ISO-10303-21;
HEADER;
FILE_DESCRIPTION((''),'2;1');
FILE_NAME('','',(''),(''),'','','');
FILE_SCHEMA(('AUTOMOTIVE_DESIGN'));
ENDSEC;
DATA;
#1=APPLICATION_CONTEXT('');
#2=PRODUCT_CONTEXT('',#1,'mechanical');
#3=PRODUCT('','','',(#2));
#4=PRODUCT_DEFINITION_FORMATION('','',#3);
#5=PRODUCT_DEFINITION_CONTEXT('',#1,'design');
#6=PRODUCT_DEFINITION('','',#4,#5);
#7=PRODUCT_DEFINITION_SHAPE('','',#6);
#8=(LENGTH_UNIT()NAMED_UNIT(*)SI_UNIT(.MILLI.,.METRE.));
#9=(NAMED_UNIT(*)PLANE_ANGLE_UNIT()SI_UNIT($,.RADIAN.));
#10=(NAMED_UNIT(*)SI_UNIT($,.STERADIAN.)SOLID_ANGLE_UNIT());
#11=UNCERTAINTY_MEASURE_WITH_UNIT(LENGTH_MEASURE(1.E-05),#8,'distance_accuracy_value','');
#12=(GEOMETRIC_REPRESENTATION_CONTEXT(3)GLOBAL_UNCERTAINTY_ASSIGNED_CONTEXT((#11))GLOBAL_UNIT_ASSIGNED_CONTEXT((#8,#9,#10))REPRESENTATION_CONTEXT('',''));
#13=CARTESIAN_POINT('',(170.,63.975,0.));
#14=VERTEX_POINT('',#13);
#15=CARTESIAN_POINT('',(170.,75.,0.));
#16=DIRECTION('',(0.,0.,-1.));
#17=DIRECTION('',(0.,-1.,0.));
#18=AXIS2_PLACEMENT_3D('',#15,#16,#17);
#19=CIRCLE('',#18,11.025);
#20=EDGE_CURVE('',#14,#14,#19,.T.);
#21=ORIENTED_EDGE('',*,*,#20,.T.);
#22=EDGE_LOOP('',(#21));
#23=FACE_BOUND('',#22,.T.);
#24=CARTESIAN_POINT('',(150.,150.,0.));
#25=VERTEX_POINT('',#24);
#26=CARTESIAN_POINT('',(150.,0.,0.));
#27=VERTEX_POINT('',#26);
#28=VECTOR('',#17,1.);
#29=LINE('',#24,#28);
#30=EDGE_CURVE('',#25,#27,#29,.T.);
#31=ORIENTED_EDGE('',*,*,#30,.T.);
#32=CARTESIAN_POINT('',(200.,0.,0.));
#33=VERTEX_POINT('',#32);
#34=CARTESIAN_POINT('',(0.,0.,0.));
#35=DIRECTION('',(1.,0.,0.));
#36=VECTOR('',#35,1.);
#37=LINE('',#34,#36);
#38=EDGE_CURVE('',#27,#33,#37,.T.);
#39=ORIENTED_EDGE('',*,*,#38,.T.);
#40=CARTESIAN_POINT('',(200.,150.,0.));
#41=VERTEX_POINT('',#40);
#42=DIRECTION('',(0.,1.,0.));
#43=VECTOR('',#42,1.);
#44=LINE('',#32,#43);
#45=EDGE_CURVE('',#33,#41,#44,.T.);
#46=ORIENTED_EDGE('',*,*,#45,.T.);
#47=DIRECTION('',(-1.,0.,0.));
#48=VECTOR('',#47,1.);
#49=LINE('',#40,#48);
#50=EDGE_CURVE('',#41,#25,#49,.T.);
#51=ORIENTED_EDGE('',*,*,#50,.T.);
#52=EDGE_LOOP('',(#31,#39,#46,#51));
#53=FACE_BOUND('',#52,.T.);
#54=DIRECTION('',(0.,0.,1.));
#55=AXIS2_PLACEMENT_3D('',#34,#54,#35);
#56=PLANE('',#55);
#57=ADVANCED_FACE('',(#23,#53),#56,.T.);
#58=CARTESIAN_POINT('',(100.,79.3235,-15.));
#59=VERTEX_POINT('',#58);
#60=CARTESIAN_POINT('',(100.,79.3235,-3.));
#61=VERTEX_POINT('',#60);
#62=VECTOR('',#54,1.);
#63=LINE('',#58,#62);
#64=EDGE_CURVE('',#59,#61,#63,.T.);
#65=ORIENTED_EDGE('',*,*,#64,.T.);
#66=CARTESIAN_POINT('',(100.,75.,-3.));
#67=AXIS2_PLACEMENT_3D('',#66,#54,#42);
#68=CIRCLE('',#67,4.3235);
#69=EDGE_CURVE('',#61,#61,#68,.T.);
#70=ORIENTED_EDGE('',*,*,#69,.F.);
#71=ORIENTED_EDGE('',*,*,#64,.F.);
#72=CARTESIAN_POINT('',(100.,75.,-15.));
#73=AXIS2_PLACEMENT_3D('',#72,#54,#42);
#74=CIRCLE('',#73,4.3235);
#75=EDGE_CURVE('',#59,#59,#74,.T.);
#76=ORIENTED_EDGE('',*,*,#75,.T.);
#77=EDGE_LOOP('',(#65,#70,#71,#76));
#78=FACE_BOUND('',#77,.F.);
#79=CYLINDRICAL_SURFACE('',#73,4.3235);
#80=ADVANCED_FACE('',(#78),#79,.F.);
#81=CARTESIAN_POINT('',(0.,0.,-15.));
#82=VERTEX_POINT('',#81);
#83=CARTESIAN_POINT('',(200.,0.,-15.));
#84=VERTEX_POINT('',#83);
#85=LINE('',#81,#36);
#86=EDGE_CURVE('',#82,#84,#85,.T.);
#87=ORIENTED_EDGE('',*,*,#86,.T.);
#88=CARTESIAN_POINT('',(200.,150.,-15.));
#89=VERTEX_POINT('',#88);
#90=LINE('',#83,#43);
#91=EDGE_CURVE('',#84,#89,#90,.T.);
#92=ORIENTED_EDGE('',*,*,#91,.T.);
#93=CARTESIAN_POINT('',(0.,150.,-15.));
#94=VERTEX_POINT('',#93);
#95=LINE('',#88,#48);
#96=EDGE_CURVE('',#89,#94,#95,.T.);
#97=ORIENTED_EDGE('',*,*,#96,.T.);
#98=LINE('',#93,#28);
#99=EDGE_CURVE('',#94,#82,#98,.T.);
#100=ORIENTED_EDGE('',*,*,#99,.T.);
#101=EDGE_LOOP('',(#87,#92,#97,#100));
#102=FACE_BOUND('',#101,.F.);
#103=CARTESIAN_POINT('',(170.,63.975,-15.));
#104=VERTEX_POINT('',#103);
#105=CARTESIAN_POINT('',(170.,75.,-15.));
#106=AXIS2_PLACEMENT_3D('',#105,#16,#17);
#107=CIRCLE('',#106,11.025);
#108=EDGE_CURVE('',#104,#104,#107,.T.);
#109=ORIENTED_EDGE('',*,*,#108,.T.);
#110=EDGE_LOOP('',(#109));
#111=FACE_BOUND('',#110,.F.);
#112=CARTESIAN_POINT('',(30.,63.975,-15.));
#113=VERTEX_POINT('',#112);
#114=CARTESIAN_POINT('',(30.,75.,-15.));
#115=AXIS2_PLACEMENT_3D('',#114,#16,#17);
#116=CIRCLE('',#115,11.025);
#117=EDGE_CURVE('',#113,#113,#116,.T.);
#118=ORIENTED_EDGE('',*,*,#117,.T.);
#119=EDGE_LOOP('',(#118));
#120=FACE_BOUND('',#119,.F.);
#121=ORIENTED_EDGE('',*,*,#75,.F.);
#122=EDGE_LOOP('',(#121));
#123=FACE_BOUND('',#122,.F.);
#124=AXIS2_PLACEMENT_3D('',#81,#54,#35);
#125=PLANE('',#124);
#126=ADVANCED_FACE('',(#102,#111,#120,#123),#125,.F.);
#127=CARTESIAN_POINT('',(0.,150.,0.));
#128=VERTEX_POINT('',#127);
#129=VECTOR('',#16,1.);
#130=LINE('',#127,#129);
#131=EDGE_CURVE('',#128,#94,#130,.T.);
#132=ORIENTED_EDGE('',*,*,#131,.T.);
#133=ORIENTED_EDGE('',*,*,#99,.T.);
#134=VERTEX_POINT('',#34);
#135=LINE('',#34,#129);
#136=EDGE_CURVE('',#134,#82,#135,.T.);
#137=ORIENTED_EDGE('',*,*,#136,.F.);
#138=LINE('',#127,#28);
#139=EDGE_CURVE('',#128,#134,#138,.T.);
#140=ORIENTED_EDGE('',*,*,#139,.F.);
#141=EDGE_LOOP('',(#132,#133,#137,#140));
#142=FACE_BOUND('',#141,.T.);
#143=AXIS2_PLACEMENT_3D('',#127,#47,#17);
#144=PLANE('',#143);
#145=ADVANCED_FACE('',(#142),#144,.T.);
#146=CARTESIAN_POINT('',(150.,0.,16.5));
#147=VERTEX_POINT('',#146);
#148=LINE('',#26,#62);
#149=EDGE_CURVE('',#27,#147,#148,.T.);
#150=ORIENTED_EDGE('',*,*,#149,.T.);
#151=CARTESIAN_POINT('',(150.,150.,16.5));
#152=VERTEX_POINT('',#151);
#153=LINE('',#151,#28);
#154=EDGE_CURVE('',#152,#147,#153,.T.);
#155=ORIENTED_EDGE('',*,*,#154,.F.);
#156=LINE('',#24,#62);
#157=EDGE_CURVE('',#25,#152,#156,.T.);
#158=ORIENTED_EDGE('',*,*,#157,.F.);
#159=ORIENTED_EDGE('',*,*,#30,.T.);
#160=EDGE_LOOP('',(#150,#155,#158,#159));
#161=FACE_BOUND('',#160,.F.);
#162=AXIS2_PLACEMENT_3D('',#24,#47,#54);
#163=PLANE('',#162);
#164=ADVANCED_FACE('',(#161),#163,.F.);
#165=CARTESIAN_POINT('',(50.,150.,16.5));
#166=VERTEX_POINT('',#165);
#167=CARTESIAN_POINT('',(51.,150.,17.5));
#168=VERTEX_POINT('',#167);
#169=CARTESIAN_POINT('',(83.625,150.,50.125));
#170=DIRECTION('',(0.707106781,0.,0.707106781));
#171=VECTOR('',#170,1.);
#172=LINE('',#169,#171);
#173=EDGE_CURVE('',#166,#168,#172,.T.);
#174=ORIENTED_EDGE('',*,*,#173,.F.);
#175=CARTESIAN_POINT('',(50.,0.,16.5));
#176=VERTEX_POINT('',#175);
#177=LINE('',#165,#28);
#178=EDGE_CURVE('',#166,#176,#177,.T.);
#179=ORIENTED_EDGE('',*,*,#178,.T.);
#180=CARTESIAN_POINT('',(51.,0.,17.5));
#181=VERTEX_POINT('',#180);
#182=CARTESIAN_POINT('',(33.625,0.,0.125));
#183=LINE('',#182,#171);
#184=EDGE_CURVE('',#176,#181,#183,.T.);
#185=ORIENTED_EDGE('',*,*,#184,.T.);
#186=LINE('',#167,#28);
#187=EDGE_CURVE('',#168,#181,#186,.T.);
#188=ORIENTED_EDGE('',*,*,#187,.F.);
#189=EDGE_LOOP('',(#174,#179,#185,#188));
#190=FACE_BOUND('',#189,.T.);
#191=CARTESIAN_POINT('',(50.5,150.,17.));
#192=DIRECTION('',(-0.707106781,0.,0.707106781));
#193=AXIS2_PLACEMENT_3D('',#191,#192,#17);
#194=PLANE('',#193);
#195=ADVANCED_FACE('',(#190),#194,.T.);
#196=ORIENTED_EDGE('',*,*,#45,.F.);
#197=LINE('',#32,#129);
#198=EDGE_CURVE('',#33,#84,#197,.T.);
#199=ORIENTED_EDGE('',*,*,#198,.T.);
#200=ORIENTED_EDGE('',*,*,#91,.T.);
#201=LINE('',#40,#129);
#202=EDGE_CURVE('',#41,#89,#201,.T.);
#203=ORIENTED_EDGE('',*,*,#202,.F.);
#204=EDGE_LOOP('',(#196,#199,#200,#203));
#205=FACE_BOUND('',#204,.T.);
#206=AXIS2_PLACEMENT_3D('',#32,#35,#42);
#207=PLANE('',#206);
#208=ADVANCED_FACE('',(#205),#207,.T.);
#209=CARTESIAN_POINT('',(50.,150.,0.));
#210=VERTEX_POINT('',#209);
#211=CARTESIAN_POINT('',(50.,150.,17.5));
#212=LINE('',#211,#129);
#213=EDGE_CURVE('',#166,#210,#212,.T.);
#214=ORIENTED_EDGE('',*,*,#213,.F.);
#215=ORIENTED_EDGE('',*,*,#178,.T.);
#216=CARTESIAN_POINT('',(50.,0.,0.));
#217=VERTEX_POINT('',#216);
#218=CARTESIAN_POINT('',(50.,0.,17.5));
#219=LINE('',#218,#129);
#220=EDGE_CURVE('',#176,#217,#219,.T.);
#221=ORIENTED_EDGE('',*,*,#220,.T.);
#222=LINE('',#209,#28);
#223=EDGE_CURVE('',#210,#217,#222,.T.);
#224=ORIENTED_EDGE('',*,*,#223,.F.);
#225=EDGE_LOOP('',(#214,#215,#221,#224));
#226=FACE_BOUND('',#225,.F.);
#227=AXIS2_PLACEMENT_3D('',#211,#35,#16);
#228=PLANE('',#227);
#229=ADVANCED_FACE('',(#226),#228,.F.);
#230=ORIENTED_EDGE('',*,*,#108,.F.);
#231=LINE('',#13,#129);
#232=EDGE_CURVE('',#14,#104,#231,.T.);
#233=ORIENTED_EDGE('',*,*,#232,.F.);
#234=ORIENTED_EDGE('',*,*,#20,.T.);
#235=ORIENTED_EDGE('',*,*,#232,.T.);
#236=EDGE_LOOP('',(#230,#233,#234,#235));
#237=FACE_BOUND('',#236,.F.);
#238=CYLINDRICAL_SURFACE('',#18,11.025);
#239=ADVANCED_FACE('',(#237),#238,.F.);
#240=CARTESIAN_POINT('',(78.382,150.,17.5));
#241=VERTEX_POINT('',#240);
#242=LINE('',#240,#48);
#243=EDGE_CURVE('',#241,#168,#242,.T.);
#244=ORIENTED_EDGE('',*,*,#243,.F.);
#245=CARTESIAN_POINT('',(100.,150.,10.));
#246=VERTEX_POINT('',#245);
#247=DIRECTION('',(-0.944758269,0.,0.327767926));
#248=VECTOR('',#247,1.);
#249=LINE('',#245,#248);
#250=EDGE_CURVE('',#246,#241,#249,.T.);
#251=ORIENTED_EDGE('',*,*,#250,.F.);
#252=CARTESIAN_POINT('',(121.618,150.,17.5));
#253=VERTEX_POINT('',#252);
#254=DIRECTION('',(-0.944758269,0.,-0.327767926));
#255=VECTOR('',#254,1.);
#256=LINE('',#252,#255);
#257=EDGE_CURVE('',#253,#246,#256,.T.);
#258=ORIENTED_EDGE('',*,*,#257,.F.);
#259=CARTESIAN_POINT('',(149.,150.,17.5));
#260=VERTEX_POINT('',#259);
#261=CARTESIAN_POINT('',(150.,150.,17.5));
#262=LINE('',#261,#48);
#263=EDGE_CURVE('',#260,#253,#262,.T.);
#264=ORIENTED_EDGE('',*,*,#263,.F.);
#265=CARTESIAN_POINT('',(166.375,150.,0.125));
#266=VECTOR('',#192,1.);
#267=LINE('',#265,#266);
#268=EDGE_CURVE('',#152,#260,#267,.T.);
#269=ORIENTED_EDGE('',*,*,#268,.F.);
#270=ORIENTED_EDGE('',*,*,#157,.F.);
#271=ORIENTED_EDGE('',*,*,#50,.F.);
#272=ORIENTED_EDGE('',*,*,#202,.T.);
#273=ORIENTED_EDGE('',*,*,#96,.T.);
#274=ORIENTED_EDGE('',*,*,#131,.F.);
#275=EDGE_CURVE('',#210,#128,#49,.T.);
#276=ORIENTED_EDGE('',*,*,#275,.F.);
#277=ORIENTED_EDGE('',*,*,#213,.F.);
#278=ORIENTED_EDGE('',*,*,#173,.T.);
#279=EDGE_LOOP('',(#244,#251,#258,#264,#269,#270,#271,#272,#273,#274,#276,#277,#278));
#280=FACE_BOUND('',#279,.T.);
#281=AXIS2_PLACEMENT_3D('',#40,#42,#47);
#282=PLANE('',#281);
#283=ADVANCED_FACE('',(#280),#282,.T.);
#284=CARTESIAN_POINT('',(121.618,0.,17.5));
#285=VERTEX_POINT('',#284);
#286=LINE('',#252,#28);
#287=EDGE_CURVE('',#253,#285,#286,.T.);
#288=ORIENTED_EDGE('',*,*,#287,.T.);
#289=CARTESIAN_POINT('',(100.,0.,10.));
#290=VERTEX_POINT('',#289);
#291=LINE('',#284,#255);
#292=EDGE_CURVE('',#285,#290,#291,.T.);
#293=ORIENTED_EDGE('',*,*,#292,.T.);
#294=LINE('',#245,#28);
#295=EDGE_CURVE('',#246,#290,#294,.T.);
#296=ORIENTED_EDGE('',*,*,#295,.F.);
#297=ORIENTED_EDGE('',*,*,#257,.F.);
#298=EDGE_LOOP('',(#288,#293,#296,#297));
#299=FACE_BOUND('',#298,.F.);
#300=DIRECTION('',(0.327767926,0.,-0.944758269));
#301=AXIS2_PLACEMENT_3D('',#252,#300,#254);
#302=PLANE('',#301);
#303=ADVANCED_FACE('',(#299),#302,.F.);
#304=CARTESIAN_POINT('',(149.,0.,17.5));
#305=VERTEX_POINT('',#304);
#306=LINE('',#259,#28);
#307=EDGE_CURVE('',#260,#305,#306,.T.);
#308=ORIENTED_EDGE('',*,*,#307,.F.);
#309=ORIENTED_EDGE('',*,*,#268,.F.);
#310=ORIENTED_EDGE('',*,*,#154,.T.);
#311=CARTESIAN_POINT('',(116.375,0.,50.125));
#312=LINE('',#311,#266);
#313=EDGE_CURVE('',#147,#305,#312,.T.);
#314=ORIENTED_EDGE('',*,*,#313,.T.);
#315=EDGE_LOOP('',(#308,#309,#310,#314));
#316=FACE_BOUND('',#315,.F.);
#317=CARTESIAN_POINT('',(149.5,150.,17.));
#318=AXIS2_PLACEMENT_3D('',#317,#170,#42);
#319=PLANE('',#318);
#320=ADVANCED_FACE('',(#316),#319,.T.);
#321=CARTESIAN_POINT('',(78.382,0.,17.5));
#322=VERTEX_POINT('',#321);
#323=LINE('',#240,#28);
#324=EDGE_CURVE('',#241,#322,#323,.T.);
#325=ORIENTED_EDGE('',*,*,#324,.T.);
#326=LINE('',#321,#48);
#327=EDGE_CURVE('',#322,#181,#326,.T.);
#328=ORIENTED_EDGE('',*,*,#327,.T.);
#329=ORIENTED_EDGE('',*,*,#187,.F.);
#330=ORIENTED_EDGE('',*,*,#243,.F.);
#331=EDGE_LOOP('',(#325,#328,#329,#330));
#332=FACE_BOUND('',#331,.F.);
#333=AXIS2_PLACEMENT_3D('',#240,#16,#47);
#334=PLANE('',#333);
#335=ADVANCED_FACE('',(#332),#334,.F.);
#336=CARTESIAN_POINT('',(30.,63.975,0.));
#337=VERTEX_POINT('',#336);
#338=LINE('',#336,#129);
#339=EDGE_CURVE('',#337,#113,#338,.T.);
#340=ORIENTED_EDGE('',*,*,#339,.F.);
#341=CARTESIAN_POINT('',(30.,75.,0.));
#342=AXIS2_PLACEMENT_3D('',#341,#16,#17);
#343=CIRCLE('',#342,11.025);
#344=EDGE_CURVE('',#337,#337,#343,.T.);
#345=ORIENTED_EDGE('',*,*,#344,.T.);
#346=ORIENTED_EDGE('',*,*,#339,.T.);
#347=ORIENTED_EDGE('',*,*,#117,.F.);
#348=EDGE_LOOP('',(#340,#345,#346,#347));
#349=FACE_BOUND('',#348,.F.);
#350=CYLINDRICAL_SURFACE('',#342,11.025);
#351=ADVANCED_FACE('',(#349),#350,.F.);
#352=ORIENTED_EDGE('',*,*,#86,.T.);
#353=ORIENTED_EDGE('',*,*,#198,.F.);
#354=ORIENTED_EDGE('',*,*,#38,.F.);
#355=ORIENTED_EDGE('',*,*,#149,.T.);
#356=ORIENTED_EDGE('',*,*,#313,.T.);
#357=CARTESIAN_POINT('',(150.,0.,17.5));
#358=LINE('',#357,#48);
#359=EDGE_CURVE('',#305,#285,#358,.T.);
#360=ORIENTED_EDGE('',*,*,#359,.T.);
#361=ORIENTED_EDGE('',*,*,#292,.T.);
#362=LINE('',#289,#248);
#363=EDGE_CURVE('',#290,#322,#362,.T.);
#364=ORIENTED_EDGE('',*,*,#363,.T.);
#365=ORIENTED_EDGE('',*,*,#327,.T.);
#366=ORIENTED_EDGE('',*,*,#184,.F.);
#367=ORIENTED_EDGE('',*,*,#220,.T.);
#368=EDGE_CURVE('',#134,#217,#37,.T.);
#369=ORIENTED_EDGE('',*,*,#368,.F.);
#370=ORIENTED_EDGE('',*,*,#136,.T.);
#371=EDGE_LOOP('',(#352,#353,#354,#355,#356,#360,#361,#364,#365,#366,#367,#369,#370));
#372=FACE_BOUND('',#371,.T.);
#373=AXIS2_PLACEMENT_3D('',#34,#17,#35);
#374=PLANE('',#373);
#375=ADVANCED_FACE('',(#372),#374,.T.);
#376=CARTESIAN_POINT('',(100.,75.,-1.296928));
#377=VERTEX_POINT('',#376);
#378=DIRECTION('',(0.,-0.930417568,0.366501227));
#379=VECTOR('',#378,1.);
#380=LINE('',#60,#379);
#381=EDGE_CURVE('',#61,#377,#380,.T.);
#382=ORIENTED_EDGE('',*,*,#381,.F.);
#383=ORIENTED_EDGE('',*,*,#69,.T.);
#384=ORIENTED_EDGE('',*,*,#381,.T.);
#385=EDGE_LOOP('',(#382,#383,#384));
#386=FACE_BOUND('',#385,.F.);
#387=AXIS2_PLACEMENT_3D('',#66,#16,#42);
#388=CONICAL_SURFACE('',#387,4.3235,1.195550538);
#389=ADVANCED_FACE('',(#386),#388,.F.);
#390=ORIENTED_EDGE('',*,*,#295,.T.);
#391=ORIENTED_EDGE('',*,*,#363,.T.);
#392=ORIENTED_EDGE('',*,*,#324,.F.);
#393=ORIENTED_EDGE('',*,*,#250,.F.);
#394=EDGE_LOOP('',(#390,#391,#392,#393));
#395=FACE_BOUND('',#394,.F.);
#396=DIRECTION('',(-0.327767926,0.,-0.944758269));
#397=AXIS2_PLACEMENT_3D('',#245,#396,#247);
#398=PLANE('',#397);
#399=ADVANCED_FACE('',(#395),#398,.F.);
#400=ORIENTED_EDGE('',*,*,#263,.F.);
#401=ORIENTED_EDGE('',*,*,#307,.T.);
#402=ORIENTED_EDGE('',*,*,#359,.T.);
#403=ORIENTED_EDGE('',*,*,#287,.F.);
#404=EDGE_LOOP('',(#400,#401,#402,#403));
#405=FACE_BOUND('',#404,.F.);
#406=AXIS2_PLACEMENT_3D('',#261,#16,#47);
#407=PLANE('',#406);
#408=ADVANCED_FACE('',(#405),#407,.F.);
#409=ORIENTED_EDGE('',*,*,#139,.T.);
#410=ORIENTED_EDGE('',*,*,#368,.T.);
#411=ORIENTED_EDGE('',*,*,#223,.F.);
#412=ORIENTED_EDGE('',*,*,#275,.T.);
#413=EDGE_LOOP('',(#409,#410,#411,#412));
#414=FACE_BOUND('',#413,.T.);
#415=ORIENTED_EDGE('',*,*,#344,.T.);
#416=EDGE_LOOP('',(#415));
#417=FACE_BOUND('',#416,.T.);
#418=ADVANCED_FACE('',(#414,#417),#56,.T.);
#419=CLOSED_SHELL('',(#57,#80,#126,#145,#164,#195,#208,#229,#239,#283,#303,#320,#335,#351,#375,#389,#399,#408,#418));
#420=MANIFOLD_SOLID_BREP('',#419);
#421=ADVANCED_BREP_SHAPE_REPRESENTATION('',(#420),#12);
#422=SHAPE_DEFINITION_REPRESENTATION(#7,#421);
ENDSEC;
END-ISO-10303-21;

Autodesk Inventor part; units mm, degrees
ref_plane "YZ Plane" through (0, 0, 0) normal (1, 0, 0) x (0, 1, 0)
ref_plane "XZ Plane" through (0, 0, 0) normal (0, 1, 0) x (-1, 0, 0)
ref_plane "XY Plane" through (0, 0, 0) normal (0, 0, 1) x (1, 0, 0)
sketch "Sketch2" plane through (0, 0, 0) normal (0, 0, 1) x (1, 0, 0)
  line L0 (0, 0) -> (200, 0)
  line L1 (200, 0) -> (200, 150)
  line L2 (200, 150) -> (0, 150)
  line L3 (0, 150) -> (0, 0)
  dimension "d4" = 150
  dimension "d5" = 200
extrude "Extrusion2" add sketch "Sketch2" against normal blind 15
sketch "Sketch3" plane through (0, 0, 0) normal (0, 0, 1) x (1, 0, 0)
  line L0 (200, 150) -> (0, 150) projected
  line L1 (0, 150) -> (0, 0) projected
  point P0 (30, 75)
  point P1 (170, 75)
  dimension "d11" = 75
  dimension "d12" = 75
  dimension "d13" = 140
  dimension "d14" = 30
hole "Hole1" at (30, 75, 0) at (170, 75, 0) direction (0, 0, -1) diameter 22.05 end through all
sketch "Sketch6" plane through (0, 150, 0) normal (0, 1, 0) x (1, 0, 0)
  line L0 (0, 0) -> (200, 0) projected
  line L1 (50, 0) -> (150, 0)
  line L2 (150, 0) -> (150, -17.5)
  line L3 (50, -17.5) -> (50, 0)
  line L4 (0, 0) -> (0, 15) projected
  line L5 (150, -17.5) -> (121.618, -17.5)
  line L6 (121.618, -17.5) -> (100, -10)
  line L7 (100, -10) -> (78.382, -17.5)
  line L8 (78.382, -17.5) -> (50, -17.5)
  line L9 (0, 15) -> (200, 15) projected
  line L10 (200, 0) -> (200, 15) projected
  dimension "d36" = 50
  dimension "d37" = 100
  dimension "d42" = 17.5
  dimension "d45" = 28.382
  dimension "d81" = 7.5
extrude "Extrusion3" add sketch "Sketch6" against normal blind 150 contours L0 L2 L5 L6 L7 L8 L3
chamfer "Chamfer1" distance 1 angle 45 2 edges at (150, 75, 17.5) (50, 75, 17.5)
sketch "Sketch7" plane through (0, 0, -15) normal (0, 0, -1) x (-1, 0, 0)
  line L0 (-100, 150) -> (-100, 0) projected
  line L1 (-200, 0) -> (0, 0) projected
  line L2 (0, 0) -> (0, 150) projected
  point P0 (-100, 75)
  dimension "d54" = 75
  dimension "d55" = 100
hole "Hole3" at (100, 75, -15) direction (0, 0, 1) diameter 8.647 depth 12 tip angle 137 thread size "M10x1.25" class "6H" standard "ISO Metric profile"
equation "\"d12\" = d11"
properties part number "Soporte Superior Tubos"
